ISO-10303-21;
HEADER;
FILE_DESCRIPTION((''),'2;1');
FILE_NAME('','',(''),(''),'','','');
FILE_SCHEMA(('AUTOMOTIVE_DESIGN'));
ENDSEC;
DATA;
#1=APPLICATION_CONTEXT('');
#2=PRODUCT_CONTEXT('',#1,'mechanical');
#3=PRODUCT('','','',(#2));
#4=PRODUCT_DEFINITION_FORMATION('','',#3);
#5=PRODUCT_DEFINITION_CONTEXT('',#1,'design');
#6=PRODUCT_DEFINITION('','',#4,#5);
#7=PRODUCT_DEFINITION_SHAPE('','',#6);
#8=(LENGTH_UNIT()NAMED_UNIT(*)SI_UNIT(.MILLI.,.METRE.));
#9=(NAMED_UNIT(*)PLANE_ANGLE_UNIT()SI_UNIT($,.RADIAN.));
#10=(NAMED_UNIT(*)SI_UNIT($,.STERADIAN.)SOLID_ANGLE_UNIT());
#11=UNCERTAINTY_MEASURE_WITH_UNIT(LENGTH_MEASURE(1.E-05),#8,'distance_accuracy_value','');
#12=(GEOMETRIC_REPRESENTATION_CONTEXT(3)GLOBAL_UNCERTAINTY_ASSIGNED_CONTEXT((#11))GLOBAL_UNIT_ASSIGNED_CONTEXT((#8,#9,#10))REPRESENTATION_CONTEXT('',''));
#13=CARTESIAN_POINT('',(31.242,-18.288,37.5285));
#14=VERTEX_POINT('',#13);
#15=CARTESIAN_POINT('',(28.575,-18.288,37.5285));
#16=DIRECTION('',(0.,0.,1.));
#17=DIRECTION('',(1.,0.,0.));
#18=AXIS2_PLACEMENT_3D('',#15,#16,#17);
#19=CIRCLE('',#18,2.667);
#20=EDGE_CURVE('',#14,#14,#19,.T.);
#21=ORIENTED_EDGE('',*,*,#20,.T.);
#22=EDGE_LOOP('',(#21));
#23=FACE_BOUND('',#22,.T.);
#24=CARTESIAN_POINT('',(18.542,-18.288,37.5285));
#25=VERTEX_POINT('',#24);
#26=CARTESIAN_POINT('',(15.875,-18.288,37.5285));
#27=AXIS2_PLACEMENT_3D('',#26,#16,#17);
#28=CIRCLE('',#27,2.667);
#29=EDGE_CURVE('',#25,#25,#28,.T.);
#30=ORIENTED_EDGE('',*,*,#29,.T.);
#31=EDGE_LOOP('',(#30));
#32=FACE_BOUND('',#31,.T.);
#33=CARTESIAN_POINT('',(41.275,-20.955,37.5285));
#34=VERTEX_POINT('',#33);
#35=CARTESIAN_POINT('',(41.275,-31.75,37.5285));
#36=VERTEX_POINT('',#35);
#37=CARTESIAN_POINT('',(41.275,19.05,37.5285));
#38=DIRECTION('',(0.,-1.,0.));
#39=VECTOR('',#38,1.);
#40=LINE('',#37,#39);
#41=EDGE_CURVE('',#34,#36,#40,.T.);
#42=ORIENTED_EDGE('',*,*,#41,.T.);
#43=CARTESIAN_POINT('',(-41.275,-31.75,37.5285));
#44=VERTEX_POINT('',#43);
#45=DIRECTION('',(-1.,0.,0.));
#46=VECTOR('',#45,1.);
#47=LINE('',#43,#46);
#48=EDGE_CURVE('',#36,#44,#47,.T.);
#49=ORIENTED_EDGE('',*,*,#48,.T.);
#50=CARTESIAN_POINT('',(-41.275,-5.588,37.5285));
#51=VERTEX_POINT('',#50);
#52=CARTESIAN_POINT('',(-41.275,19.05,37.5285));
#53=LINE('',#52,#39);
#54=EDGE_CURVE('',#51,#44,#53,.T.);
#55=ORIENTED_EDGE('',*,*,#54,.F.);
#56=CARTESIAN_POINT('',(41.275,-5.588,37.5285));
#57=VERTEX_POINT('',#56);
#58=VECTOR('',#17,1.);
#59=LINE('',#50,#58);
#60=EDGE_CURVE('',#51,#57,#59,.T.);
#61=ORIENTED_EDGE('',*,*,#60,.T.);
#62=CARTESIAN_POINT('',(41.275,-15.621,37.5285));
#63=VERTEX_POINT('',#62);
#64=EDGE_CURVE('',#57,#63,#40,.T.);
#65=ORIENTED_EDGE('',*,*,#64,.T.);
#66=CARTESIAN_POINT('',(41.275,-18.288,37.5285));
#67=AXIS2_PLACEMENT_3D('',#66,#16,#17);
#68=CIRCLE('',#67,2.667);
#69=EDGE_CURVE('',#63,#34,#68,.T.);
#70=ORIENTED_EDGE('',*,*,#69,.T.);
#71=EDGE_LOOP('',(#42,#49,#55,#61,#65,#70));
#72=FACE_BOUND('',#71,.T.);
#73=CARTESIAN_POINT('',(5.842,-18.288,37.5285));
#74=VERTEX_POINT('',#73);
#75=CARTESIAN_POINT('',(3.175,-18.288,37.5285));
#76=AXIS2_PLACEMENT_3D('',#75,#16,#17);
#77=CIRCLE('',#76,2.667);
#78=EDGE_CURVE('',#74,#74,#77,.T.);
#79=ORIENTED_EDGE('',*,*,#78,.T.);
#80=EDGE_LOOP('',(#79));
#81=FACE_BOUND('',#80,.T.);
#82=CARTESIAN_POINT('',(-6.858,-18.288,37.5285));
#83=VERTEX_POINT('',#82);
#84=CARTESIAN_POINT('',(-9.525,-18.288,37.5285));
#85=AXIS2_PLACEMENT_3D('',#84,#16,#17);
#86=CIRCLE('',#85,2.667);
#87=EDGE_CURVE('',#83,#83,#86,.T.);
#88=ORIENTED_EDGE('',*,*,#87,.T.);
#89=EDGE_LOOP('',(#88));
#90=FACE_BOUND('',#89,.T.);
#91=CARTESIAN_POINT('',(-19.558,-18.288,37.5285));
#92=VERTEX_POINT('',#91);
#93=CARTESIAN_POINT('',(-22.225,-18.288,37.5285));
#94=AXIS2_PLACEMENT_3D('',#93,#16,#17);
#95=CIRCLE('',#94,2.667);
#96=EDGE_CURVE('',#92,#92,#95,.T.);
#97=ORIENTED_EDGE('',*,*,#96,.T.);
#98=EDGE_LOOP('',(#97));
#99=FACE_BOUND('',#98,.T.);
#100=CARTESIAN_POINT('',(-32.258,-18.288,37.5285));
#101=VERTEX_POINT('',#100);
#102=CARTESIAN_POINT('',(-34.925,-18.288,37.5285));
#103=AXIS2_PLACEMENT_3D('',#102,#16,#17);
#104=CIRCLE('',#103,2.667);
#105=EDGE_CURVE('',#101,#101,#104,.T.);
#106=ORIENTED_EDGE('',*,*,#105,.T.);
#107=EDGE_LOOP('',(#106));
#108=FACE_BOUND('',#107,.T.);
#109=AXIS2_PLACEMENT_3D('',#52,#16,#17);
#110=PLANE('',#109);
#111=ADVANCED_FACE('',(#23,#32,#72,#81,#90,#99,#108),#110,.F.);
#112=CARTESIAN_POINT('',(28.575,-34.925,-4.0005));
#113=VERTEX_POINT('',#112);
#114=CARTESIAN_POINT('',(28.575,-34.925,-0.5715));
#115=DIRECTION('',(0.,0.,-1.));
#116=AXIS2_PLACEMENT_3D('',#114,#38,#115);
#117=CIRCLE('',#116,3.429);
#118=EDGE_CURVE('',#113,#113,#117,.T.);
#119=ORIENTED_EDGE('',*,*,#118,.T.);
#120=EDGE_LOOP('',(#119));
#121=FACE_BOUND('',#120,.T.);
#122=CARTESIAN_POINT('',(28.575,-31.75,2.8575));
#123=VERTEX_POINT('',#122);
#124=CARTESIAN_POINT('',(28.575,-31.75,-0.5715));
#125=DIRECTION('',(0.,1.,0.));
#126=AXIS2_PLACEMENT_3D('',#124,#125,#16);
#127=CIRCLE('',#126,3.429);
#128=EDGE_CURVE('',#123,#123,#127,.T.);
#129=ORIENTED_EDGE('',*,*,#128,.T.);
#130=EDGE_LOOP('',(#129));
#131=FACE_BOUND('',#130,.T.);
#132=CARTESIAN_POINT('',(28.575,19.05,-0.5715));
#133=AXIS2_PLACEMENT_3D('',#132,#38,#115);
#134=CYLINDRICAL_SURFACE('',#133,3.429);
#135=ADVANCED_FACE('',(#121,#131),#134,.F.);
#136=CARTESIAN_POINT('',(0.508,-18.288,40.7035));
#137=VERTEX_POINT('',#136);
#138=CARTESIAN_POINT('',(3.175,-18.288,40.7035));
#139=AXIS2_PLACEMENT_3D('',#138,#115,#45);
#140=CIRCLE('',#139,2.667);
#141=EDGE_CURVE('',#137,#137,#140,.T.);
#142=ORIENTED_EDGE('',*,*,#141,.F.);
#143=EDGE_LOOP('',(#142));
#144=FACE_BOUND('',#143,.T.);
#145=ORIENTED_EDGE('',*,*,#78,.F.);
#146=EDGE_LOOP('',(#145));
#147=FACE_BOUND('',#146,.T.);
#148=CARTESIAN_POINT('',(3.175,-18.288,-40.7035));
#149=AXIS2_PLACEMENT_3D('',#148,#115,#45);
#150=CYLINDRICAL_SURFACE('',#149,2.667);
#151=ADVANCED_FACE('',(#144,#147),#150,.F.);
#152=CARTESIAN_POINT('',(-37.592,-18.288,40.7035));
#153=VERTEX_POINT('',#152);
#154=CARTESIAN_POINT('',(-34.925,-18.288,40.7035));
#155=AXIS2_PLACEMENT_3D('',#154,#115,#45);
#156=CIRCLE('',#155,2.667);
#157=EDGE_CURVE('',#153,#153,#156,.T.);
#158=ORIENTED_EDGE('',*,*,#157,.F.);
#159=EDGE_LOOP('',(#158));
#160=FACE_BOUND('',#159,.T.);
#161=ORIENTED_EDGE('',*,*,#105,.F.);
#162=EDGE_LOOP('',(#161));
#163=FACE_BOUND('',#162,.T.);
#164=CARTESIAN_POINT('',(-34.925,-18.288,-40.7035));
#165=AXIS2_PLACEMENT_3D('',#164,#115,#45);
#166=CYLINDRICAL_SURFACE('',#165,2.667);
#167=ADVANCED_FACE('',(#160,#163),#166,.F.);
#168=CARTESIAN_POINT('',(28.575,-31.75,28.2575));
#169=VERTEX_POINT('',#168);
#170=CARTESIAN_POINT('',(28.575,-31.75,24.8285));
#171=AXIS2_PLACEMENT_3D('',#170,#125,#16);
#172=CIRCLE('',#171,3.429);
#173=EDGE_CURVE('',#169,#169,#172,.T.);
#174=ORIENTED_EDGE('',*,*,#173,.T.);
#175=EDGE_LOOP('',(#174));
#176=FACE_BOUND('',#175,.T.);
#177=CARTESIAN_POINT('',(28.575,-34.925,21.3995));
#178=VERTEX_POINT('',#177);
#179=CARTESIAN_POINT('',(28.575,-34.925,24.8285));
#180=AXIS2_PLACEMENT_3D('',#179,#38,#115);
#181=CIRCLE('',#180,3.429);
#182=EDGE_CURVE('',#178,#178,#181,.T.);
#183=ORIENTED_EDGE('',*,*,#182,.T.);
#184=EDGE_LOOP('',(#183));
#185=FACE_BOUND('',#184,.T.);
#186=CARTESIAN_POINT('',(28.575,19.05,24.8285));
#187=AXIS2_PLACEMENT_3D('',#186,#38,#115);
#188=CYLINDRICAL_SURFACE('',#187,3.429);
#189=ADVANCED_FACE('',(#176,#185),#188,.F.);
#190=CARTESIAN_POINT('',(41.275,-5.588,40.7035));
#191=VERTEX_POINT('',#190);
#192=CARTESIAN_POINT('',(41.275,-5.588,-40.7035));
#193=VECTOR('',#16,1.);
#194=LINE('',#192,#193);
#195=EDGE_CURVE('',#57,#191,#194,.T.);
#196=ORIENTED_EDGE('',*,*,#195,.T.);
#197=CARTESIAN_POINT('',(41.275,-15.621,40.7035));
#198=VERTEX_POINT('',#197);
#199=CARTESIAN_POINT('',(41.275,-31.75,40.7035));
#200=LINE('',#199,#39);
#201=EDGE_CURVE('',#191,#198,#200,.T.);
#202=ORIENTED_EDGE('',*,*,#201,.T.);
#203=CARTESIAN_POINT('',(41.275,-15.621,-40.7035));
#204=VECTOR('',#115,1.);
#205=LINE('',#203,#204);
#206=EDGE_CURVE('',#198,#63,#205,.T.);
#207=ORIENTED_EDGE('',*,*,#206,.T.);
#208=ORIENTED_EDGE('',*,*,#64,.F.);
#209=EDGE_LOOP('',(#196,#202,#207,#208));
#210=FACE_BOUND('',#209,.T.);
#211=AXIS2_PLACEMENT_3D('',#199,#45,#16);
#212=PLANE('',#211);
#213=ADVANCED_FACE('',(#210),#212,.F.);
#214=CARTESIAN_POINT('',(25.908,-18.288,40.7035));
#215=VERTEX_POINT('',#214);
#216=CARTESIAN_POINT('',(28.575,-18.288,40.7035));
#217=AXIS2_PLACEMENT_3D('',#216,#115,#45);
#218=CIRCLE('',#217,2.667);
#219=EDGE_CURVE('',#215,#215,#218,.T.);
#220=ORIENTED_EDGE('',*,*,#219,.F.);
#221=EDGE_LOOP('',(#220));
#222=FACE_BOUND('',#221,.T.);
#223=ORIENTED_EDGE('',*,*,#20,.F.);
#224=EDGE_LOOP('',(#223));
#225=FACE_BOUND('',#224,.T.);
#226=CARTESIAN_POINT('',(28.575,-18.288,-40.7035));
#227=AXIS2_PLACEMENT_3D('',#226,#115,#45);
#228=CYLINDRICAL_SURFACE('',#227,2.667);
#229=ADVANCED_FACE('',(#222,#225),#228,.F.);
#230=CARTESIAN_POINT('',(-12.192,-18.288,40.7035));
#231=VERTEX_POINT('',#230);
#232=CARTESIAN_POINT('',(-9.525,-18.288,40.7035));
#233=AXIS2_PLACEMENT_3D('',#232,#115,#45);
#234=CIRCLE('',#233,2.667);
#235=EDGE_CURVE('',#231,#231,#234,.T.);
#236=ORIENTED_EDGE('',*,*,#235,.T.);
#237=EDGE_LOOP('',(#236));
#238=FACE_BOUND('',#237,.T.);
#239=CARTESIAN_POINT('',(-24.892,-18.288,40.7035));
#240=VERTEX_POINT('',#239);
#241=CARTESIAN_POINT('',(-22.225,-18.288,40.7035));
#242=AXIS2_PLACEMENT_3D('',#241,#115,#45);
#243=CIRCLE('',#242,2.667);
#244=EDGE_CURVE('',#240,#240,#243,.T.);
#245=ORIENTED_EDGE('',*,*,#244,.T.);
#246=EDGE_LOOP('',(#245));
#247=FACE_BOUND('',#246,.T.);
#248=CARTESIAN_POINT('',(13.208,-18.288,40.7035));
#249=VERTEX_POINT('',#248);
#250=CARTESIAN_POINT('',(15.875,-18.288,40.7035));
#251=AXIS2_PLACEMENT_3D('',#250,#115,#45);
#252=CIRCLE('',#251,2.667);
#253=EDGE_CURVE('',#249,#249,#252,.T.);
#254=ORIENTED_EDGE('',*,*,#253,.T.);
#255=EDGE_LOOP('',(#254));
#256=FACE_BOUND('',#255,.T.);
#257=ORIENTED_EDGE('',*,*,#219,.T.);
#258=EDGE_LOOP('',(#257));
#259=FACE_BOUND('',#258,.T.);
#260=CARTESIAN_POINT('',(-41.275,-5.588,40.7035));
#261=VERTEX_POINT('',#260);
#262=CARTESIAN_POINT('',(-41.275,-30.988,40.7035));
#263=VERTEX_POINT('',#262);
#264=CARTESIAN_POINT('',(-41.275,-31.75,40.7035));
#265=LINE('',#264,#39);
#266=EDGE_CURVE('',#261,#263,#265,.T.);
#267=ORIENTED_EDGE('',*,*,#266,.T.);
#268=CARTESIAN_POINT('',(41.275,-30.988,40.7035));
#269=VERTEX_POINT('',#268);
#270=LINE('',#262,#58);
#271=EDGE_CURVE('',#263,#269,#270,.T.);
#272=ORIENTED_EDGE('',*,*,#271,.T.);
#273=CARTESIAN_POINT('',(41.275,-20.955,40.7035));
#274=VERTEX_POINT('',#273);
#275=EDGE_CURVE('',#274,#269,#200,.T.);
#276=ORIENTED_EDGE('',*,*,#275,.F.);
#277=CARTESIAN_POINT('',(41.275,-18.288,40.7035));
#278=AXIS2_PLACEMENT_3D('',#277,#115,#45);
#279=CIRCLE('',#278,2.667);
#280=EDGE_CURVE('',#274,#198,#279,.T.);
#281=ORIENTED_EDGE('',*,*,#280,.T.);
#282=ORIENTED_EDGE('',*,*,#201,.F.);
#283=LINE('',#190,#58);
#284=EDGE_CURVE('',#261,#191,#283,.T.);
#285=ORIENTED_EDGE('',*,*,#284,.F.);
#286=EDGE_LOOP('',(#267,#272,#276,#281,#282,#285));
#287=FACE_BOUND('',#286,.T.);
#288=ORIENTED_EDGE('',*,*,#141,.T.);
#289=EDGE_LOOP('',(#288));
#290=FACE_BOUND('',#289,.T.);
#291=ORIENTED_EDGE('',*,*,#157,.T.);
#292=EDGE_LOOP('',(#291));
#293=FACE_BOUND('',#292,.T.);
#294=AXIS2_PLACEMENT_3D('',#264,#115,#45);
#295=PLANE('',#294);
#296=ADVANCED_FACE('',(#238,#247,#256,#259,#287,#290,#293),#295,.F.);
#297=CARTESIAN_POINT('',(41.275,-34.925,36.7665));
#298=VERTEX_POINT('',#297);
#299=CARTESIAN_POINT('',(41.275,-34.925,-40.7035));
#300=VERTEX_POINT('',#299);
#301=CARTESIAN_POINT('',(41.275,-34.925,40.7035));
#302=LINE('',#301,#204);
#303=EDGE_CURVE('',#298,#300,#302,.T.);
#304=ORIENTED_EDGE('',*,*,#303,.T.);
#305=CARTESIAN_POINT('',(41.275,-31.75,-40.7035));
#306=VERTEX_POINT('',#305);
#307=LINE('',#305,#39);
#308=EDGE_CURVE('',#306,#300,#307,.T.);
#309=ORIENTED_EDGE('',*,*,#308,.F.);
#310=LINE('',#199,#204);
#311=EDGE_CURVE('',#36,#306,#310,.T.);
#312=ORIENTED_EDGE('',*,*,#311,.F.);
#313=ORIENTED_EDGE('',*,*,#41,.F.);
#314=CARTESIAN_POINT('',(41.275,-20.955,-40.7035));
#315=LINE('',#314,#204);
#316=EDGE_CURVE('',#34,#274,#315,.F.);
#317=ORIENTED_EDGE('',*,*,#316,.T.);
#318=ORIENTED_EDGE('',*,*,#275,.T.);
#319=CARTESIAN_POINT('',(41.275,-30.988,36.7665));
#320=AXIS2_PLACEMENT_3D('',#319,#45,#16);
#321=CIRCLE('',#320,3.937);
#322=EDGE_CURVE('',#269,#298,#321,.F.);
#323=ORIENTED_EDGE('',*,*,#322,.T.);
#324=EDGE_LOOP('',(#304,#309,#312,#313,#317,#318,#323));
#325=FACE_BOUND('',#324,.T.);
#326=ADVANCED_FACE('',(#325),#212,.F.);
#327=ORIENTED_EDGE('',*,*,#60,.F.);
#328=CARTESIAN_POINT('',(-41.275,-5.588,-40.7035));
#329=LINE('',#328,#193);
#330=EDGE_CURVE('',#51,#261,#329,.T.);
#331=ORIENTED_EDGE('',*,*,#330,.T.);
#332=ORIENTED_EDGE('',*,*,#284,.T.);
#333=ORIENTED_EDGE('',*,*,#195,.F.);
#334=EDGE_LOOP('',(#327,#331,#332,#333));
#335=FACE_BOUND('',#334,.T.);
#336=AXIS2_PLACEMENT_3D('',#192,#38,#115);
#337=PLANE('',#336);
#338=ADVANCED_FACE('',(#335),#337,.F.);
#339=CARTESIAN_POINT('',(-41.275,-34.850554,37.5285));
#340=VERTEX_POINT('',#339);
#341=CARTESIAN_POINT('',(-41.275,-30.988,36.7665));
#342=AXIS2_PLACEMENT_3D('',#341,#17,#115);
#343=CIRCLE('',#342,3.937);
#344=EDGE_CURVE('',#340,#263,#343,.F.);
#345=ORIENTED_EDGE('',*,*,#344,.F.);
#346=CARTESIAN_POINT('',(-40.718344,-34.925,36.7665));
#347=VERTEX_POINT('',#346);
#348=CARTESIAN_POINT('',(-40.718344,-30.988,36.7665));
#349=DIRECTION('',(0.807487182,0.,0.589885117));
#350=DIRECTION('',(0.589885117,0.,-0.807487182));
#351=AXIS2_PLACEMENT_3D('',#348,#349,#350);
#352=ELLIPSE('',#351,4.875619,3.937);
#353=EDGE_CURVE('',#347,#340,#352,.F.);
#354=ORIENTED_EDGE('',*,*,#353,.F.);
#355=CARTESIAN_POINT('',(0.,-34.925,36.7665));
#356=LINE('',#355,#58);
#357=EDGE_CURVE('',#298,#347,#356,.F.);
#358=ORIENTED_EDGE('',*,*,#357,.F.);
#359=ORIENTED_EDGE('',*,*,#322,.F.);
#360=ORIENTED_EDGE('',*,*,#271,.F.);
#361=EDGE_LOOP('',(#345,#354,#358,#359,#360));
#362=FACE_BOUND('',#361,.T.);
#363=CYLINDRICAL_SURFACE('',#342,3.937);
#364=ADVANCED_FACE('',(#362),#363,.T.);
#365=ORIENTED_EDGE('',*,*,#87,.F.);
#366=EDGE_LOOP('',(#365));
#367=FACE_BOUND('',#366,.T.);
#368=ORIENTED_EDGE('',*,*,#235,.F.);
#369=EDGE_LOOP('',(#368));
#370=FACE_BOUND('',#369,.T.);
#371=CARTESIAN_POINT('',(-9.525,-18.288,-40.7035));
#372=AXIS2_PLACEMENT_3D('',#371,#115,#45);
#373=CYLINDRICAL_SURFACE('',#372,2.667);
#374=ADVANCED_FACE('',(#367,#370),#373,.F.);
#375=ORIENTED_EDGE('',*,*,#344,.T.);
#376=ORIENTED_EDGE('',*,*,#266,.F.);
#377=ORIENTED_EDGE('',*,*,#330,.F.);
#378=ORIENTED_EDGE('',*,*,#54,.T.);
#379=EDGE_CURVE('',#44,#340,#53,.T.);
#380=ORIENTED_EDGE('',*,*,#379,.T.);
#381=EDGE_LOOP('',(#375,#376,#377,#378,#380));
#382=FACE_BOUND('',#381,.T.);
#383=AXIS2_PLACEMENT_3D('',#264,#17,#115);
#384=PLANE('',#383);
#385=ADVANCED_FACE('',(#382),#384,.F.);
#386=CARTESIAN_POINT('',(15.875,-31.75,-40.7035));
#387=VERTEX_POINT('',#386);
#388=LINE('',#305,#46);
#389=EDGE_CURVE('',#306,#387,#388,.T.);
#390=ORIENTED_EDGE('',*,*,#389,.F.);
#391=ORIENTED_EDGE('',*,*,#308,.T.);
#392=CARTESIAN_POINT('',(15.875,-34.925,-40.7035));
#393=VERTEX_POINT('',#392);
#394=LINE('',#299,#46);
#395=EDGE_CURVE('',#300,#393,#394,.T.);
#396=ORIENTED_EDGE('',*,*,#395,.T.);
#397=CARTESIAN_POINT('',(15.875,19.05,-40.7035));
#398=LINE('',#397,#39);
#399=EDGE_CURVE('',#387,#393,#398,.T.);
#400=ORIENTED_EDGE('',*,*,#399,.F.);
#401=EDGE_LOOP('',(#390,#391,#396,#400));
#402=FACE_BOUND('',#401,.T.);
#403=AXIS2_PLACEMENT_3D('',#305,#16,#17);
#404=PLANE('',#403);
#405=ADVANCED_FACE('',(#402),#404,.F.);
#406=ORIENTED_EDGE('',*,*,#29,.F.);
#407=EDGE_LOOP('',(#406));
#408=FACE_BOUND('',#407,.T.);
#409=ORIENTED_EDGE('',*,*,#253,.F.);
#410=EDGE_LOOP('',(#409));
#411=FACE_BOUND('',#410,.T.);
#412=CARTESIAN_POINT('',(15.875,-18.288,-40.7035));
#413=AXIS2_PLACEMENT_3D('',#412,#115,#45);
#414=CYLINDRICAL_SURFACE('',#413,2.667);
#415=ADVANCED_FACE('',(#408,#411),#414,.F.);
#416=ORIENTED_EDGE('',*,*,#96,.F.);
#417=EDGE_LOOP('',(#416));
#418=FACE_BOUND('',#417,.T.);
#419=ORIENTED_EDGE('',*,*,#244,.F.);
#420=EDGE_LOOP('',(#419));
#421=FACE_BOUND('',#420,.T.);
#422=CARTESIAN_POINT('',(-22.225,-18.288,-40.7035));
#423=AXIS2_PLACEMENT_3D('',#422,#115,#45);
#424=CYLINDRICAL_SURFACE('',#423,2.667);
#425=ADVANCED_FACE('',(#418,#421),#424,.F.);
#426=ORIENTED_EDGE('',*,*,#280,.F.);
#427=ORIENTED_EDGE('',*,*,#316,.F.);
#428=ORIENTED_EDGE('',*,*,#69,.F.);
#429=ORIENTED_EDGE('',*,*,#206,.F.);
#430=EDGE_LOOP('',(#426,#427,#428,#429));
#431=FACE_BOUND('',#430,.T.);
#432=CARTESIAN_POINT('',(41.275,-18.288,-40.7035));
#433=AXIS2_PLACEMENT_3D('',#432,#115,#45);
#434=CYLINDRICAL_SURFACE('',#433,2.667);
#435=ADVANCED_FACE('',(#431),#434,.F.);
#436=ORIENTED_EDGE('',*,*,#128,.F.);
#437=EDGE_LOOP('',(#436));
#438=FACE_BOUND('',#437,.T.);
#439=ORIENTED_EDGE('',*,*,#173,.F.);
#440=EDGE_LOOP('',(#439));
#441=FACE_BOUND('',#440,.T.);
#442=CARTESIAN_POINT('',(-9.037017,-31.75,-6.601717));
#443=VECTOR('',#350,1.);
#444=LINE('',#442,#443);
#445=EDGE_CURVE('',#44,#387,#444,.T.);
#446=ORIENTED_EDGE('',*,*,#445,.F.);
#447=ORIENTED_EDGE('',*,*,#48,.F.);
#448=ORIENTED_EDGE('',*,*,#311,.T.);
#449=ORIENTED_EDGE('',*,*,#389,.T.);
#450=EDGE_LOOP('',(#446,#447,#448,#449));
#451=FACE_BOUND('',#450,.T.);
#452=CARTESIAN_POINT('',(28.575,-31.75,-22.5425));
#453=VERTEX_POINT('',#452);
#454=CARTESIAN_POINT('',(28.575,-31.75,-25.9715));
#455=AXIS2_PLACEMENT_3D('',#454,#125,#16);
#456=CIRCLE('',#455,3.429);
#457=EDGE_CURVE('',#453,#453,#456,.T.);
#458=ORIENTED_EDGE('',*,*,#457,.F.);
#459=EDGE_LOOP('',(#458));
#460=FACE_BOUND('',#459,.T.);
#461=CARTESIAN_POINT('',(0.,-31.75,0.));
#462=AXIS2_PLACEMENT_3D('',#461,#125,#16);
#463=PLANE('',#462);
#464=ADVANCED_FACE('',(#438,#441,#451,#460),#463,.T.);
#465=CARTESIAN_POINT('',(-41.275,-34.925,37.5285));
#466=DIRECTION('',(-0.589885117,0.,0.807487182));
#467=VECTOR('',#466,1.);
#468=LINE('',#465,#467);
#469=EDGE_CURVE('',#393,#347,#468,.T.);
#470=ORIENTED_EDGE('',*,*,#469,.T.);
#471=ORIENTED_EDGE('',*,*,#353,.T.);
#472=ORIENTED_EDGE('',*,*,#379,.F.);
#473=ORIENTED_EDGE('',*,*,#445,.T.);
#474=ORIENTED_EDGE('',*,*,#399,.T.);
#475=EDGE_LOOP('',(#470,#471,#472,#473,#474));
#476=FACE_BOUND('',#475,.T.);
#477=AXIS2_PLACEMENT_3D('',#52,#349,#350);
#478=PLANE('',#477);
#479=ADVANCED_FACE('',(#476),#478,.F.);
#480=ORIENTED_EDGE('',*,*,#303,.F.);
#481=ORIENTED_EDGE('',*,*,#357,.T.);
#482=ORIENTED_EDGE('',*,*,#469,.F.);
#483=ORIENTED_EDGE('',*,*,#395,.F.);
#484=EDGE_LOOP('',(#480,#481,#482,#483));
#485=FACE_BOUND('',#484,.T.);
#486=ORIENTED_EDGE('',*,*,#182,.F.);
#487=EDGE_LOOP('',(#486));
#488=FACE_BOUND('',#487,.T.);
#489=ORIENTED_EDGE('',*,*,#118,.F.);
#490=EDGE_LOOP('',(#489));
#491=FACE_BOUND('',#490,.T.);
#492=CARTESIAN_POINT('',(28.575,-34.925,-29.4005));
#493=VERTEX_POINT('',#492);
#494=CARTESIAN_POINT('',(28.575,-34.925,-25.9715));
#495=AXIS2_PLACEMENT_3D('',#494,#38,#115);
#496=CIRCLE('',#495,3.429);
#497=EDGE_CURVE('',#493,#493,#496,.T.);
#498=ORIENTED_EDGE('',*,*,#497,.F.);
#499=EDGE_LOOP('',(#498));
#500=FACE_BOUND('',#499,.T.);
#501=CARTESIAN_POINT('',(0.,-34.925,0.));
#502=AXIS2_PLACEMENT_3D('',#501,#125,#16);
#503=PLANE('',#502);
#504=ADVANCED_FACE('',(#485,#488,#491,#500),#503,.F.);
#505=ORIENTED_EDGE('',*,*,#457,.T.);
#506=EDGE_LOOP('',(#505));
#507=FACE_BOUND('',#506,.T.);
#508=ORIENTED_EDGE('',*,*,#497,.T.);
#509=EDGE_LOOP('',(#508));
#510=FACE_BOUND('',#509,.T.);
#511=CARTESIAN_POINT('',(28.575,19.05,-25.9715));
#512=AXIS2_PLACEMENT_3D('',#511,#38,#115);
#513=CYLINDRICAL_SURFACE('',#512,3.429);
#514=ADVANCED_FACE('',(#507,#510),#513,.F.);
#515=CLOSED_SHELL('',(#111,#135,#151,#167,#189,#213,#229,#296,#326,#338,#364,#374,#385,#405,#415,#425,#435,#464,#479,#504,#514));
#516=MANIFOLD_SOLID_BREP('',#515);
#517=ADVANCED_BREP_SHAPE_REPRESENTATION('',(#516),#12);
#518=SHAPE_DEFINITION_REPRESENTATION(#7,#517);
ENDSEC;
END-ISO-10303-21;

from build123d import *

# Parameters (mm, degrees)
BOSS_EXTRUDE1_START    = -34.925
SKETCH1_W              = 82.55
SKETCH1_H              = 81.407
BOSS_EXTRUDE1_DEPTH    = 3.175
SKETCH3_W              = 82.55
SKETCH3_H              = 3.175
BOSS_EXTRUDE2_DEPTH    = 50.8
F_10_CLEARANCE_HOLE2_D = 5.334
CHAMFER1_SIZE          = 3.175
FILLET2_R              = 3.937
SKETCH9_R              = 3.429
CUT_EXTRUDE2_DEPTH     = 54.975
SKETCH10_W             = 82.55
SKETCH10_H             = 24.638
CUT_EXTRUDE3_DEPTH     = 82.407


with BuildPart() as part:
    # Sketch1 → Boss-Extrude1 (new body)
    with BuildSketch(Plane(origin=(0, 0, 0), x_dir=(1, 0, 0), z_dir=(0, 1, 0)).offset(BOSS_EXTRUDE1_START)):
        Rectangle(SKETCH1_W, SKETCH1_H)
    extrude(amount=BOSS_EXTRUDE1_DEPTH)

    # Sketch3 → Boss-Extrude2 (add)
    with BuildSketch(Plane(origin=(0, -31.75, 0), x_dir=(1, 0, 0), z_dir=(0, 1, 0))):
        with Locations((0, -39.116)):
            Rectangle(SKETCH3_W, SKETCH3_H)
    extrude(amount=BOSS_EXTRUDE2_DEPTH)

    # #10 Clearance Hole2 (through all)
    with Locations(Plane(origin=(0, 0, -40.7035), x_dir=(-1, 0, 0), z_dir=(0, 0, -1))):
        with Locations((22.225, 7.112), (9.525, 7.112), (-3.175, 7.112), (-15.875, 7.112), (-28.575, 7.112), (22.225, -18.288), (9.525, -18.288), (-3.175, -18.288), (-15.875, -18.288), (-28.575, -18.288), (34.925, 7.112), (34.925, -18.288), (-41.275, 7.112), (-41.275, -18.288)):
            Hole(F_10_CLEARANCE_HOLE2_D / 2)

    # Chamfer1
    chamfer1_edges = [part.edges().sort_by_distance(p)[0] for p in [
        (-41.275, 19.05, 39.116),
    ]]
    chamfer(chamfer1_edges, length=CHAMFER1_SIZE)

    # Fillet2
    fillet2_edges = [part.edges().sort_by_distance(p)[0] for p in [
        (0, -34.925, 40.7035),
    ]]
    fillet(fillet2_edges, radius=FILLET2_R)

    # Sketch9 → Cut-Extrude2 (cut, through all)
    with BuildSketch(Plane.XZ.offset(34.925)):
        with Locations((28.575, 24.8285)):
            Circle(SKETCH9_R)
        with Locations((28.575, -0.5715)):
            Circle(SKETCH9_R)
        with Locations((28.575, -25.9715)):
            Circle(SKETCH9_R)
        Polygon((-41.275, 37.5285), (15.875, -40.7035), (-41.275, -40.7035), align=None)
    extrude(amount=-CUT_EXTRUDE2_DEPTH, mode=Mode.SUBTRACT)

    # Sketch10 → Cut-Extrude3 (cut, through all)
    with BuildSketch(Plane.XY.offset(40.7035)):
        with Locations((0, 6.731)):
            Rectangle(SKETCH10_W, SKETCH10_H)
    extrude(amount=-CUT_EXTRUDE3_DEPTH, mode=Mode.SUBTRACT)


solid = part.part
